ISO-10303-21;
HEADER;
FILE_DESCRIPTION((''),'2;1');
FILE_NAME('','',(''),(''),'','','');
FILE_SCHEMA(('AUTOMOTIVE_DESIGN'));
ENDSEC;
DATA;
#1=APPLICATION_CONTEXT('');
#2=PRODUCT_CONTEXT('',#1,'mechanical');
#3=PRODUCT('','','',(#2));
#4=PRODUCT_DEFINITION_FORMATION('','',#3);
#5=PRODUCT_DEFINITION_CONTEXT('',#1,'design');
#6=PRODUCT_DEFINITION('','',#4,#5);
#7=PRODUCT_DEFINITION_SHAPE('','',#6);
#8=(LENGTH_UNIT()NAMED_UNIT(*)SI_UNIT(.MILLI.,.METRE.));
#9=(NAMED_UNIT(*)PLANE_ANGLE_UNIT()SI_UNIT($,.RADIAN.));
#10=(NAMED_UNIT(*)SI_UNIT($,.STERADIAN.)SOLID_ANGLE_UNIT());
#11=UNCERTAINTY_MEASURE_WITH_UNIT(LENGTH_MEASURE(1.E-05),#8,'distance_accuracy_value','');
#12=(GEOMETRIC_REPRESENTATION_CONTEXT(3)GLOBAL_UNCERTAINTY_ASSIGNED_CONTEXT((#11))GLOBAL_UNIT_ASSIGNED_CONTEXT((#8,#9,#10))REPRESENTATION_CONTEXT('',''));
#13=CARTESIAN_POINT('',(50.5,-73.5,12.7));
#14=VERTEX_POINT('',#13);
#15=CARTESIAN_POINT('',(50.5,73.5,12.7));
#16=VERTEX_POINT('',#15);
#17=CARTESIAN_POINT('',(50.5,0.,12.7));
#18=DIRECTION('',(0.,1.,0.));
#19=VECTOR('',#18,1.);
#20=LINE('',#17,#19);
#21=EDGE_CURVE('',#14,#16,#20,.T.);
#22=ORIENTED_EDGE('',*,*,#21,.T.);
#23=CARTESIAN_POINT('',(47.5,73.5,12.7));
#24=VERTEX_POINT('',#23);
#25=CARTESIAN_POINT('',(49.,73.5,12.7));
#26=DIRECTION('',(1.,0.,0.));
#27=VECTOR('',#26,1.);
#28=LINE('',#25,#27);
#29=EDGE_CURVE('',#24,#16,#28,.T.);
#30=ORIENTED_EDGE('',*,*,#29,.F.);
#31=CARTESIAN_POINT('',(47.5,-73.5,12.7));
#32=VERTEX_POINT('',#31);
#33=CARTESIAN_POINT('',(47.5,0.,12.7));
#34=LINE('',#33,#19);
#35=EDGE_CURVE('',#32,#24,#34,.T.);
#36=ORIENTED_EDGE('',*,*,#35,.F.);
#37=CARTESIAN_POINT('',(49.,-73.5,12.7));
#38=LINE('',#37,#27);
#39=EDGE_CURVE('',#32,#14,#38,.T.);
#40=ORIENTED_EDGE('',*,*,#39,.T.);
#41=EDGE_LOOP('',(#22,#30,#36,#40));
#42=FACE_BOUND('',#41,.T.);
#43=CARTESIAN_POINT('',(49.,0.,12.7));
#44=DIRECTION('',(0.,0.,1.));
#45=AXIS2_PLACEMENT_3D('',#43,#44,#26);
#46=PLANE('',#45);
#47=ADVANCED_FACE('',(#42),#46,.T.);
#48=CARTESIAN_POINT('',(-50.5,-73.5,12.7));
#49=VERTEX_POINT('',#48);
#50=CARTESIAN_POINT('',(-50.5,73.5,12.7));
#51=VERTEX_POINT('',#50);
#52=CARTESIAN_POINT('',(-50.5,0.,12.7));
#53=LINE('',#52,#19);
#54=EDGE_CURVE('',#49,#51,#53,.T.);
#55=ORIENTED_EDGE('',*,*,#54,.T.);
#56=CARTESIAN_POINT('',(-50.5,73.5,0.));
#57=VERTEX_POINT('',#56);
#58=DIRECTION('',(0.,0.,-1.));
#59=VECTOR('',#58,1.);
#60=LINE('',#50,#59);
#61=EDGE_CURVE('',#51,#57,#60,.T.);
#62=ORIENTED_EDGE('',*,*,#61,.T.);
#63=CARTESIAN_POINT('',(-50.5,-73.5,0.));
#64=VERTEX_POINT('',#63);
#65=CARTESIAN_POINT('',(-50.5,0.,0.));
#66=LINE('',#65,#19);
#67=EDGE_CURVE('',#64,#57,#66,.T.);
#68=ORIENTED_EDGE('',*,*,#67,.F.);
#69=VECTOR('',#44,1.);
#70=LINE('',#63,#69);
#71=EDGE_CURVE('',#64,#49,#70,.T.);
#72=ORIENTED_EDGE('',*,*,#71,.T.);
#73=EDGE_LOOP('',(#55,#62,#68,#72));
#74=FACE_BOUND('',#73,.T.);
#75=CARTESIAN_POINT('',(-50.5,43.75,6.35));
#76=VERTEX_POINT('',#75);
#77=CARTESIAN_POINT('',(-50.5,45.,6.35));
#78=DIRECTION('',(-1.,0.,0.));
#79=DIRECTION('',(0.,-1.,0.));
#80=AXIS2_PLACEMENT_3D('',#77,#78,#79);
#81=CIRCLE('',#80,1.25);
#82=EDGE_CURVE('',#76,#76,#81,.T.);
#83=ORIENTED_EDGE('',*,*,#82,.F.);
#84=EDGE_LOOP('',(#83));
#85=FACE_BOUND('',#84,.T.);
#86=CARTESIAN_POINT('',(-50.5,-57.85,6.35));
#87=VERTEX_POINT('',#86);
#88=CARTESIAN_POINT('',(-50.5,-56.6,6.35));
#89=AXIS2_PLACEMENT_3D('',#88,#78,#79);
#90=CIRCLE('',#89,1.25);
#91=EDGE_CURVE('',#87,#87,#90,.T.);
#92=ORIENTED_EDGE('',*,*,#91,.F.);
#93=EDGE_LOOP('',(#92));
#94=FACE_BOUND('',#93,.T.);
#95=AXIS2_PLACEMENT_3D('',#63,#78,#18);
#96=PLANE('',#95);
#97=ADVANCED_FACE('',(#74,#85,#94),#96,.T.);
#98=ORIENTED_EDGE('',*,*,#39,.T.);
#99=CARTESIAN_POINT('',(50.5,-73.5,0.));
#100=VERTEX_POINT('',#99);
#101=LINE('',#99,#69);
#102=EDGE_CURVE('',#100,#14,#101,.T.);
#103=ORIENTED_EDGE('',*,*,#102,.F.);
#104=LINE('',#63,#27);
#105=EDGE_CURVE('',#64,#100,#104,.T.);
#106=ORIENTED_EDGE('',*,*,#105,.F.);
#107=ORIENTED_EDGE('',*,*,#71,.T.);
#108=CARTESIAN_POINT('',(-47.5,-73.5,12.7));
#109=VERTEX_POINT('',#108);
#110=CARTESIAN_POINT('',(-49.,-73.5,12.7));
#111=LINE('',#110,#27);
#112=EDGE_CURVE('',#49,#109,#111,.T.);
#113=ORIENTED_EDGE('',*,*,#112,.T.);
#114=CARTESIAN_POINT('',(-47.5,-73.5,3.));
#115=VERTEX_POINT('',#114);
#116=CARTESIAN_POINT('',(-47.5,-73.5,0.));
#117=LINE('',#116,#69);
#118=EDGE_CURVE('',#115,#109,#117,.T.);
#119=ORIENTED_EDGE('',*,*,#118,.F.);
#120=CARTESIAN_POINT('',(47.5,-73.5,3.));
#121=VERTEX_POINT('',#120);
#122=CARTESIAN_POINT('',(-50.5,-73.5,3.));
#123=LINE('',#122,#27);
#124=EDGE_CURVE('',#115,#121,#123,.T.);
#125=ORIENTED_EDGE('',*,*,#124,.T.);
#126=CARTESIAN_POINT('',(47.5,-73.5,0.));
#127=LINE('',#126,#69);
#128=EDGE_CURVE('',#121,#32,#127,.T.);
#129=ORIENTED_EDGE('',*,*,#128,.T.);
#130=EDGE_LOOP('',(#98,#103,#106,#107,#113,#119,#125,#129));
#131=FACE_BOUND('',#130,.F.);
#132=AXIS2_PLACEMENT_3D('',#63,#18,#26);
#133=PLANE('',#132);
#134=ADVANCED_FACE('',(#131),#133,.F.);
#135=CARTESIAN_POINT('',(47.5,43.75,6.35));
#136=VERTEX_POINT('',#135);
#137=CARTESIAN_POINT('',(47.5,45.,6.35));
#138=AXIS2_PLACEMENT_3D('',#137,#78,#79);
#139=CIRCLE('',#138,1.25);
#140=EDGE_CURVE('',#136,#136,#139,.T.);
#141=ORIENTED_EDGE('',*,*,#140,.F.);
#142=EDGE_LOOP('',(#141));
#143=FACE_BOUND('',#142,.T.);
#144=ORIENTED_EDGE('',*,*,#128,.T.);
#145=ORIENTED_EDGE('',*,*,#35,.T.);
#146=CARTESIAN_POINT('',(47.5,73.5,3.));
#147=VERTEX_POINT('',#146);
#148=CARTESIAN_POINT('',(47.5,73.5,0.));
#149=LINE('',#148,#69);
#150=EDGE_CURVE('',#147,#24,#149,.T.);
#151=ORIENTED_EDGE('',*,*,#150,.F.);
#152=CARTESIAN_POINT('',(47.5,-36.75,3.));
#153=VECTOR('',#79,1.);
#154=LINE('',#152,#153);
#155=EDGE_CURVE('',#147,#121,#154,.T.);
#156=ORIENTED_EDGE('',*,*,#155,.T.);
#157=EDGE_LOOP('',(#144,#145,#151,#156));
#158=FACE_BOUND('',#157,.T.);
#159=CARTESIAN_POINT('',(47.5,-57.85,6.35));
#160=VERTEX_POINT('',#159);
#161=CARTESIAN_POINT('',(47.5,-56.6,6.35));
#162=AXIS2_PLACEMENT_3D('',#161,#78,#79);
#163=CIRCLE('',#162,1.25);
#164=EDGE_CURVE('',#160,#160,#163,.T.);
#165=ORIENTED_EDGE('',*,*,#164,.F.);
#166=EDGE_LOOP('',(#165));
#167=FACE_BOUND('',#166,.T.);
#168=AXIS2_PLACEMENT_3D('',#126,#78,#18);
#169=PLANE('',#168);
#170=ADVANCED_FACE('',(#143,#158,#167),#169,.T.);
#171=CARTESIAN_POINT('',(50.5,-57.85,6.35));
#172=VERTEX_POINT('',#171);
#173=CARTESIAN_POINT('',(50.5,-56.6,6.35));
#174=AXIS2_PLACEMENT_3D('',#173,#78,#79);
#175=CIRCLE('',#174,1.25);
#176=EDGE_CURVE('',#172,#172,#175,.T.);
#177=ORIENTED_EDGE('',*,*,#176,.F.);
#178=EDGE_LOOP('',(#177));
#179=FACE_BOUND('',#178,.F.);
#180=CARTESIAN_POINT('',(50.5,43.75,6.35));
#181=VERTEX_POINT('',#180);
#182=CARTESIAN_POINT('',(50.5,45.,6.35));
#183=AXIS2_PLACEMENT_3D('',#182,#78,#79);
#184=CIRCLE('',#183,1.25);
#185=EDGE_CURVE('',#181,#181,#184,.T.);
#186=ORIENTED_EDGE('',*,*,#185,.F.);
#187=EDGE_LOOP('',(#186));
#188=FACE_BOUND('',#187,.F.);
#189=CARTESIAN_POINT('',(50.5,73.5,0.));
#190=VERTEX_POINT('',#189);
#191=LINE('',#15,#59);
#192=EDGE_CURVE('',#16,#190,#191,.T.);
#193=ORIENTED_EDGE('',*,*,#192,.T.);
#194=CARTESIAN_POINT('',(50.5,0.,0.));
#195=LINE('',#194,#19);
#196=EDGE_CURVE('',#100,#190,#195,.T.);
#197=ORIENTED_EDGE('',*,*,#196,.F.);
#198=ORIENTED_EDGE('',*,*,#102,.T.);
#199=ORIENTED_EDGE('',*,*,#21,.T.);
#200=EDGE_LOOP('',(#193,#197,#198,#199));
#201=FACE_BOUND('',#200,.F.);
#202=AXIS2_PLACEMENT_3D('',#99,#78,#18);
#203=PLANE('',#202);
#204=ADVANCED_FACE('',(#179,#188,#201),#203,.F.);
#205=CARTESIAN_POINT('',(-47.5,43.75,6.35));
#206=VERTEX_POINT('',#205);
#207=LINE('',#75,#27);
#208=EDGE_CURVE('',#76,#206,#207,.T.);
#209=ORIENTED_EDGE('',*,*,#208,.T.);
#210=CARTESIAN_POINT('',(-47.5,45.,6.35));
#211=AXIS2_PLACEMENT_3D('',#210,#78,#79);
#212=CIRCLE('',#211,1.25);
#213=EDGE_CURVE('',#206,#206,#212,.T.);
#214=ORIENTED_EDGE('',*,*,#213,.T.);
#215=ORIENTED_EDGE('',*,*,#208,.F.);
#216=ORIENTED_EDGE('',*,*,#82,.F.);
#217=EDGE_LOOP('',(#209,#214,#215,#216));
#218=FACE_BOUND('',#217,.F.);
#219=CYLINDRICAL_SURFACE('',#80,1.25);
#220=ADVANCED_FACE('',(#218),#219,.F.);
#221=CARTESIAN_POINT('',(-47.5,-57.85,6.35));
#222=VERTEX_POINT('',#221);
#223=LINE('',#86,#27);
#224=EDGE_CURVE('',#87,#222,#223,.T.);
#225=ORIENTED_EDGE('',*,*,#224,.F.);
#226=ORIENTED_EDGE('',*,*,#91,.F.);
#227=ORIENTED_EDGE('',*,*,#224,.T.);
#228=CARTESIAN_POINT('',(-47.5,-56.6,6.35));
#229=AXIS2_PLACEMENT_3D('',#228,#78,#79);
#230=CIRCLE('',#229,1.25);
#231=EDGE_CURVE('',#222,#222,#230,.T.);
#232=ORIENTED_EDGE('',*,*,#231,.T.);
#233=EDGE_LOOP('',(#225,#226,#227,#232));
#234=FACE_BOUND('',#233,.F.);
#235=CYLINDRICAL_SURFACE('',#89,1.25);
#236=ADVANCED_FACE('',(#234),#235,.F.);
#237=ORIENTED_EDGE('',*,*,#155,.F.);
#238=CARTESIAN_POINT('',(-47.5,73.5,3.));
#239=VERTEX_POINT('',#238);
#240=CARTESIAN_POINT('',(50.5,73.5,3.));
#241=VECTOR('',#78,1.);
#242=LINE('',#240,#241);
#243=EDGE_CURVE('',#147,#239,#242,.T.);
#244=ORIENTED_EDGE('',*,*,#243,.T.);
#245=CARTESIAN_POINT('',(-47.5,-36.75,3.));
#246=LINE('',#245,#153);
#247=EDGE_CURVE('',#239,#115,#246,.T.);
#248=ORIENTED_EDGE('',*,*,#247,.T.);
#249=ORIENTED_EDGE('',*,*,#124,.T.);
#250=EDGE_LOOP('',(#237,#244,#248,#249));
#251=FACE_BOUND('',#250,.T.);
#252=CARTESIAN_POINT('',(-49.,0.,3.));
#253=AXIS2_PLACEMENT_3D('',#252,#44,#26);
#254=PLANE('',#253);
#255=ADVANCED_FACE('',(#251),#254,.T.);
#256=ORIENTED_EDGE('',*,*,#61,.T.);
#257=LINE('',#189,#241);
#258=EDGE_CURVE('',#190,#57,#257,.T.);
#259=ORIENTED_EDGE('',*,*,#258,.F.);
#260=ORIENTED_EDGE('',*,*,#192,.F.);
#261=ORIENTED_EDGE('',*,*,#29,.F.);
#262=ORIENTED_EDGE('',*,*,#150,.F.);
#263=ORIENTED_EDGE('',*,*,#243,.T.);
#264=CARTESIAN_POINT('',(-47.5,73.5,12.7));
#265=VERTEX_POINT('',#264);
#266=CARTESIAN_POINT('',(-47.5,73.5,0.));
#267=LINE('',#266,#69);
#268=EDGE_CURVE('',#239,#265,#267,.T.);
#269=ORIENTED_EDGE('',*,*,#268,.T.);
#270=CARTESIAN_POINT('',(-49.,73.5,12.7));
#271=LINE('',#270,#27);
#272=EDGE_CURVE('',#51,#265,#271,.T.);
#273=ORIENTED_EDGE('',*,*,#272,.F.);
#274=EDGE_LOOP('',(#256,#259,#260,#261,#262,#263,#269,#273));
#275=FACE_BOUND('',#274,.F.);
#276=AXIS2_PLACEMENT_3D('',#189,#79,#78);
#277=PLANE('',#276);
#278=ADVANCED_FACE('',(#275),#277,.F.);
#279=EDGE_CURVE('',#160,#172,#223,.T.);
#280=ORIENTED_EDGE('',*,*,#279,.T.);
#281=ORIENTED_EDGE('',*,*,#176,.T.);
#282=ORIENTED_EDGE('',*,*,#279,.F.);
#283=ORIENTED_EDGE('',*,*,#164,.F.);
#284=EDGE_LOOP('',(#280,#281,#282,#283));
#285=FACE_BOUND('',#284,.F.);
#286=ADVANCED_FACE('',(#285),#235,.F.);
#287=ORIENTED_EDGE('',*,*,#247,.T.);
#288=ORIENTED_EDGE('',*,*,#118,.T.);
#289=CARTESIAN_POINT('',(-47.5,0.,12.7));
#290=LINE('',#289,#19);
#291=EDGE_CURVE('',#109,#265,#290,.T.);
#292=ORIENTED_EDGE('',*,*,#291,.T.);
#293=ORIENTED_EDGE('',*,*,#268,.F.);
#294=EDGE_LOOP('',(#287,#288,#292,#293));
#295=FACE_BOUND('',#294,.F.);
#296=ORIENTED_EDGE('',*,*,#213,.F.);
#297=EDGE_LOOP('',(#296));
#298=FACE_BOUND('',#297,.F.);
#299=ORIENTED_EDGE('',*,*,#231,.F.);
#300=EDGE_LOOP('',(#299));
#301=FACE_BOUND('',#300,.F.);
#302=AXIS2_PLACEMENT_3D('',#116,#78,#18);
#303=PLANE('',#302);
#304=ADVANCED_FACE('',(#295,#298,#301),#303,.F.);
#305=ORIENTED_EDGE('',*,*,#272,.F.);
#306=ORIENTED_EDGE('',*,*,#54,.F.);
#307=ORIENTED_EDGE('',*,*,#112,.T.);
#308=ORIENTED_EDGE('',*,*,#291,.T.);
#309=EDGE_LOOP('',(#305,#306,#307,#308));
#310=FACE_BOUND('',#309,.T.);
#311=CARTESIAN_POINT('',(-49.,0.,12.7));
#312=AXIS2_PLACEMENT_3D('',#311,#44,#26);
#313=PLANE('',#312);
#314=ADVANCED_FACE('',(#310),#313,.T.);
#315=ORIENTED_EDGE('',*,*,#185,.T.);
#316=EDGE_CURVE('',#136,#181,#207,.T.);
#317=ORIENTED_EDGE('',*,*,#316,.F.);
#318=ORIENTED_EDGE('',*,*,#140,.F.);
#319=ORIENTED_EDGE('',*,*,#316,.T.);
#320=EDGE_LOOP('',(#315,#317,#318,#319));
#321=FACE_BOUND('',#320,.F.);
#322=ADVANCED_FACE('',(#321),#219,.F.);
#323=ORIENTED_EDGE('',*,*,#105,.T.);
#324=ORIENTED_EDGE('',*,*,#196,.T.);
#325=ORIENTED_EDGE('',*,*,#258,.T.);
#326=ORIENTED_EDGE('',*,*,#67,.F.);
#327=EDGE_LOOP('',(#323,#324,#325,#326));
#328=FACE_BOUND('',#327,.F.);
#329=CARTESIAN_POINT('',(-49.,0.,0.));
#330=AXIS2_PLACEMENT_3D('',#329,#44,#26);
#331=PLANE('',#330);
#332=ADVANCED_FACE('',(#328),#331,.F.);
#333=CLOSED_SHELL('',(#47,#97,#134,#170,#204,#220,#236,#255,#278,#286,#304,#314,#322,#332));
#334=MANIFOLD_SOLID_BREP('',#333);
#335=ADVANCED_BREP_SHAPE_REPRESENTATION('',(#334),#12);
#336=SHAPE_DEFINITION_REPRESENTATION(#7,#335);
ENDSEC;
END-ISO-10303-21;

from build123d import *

# Parameters (mm, degrees)
F1_W     = 3
F1_H     = 147
F1_W_2   = 95
F2_DEPTH = 3
F3_DEPTH = 12.7
F4_R     = 1.25
F5_DEPTH = 101.001


with BuildPart() as f2:
    # F1 (on Top) → F2 (new body)
    with BuildSketch(Plane.XY):
        with Locations((-49, 0)):
            Rectangle(F1_W, F1_H)
        Rectangle(F1_W_2, F1_H)
        with Locations((49, 0)):
            Rectangle(F1_W, F1_H)
    extrude(amount=F2_DEPTH)

    # F1 (on Top) → F3 (join)
    with BuildSketch(Plane.XY):
        with Locations((-49, 0)):
            Rectangle(F1_W, F1_H)
        with Locations((49, 0)):
            Rectangle(F1_W, F1_H)
    extrude(amount=F3_DEPTH)

    # F4 (on face) → F5 (cut, through all)
    with BuildSketch(Plane(origin=(-50.5, 0, 0), x_dir=(0, -1, 0), z_dir=(-1, 0, 0))):
        with Locations((-45, 6.35)):
            Circle(F4_R)
        with Locations((56.6, 6.35)):
            Circle(F4_R)
    extrude(amount=-F5_DEPTH, mode=Mode.SUBTRACT)


solid = f2.part
